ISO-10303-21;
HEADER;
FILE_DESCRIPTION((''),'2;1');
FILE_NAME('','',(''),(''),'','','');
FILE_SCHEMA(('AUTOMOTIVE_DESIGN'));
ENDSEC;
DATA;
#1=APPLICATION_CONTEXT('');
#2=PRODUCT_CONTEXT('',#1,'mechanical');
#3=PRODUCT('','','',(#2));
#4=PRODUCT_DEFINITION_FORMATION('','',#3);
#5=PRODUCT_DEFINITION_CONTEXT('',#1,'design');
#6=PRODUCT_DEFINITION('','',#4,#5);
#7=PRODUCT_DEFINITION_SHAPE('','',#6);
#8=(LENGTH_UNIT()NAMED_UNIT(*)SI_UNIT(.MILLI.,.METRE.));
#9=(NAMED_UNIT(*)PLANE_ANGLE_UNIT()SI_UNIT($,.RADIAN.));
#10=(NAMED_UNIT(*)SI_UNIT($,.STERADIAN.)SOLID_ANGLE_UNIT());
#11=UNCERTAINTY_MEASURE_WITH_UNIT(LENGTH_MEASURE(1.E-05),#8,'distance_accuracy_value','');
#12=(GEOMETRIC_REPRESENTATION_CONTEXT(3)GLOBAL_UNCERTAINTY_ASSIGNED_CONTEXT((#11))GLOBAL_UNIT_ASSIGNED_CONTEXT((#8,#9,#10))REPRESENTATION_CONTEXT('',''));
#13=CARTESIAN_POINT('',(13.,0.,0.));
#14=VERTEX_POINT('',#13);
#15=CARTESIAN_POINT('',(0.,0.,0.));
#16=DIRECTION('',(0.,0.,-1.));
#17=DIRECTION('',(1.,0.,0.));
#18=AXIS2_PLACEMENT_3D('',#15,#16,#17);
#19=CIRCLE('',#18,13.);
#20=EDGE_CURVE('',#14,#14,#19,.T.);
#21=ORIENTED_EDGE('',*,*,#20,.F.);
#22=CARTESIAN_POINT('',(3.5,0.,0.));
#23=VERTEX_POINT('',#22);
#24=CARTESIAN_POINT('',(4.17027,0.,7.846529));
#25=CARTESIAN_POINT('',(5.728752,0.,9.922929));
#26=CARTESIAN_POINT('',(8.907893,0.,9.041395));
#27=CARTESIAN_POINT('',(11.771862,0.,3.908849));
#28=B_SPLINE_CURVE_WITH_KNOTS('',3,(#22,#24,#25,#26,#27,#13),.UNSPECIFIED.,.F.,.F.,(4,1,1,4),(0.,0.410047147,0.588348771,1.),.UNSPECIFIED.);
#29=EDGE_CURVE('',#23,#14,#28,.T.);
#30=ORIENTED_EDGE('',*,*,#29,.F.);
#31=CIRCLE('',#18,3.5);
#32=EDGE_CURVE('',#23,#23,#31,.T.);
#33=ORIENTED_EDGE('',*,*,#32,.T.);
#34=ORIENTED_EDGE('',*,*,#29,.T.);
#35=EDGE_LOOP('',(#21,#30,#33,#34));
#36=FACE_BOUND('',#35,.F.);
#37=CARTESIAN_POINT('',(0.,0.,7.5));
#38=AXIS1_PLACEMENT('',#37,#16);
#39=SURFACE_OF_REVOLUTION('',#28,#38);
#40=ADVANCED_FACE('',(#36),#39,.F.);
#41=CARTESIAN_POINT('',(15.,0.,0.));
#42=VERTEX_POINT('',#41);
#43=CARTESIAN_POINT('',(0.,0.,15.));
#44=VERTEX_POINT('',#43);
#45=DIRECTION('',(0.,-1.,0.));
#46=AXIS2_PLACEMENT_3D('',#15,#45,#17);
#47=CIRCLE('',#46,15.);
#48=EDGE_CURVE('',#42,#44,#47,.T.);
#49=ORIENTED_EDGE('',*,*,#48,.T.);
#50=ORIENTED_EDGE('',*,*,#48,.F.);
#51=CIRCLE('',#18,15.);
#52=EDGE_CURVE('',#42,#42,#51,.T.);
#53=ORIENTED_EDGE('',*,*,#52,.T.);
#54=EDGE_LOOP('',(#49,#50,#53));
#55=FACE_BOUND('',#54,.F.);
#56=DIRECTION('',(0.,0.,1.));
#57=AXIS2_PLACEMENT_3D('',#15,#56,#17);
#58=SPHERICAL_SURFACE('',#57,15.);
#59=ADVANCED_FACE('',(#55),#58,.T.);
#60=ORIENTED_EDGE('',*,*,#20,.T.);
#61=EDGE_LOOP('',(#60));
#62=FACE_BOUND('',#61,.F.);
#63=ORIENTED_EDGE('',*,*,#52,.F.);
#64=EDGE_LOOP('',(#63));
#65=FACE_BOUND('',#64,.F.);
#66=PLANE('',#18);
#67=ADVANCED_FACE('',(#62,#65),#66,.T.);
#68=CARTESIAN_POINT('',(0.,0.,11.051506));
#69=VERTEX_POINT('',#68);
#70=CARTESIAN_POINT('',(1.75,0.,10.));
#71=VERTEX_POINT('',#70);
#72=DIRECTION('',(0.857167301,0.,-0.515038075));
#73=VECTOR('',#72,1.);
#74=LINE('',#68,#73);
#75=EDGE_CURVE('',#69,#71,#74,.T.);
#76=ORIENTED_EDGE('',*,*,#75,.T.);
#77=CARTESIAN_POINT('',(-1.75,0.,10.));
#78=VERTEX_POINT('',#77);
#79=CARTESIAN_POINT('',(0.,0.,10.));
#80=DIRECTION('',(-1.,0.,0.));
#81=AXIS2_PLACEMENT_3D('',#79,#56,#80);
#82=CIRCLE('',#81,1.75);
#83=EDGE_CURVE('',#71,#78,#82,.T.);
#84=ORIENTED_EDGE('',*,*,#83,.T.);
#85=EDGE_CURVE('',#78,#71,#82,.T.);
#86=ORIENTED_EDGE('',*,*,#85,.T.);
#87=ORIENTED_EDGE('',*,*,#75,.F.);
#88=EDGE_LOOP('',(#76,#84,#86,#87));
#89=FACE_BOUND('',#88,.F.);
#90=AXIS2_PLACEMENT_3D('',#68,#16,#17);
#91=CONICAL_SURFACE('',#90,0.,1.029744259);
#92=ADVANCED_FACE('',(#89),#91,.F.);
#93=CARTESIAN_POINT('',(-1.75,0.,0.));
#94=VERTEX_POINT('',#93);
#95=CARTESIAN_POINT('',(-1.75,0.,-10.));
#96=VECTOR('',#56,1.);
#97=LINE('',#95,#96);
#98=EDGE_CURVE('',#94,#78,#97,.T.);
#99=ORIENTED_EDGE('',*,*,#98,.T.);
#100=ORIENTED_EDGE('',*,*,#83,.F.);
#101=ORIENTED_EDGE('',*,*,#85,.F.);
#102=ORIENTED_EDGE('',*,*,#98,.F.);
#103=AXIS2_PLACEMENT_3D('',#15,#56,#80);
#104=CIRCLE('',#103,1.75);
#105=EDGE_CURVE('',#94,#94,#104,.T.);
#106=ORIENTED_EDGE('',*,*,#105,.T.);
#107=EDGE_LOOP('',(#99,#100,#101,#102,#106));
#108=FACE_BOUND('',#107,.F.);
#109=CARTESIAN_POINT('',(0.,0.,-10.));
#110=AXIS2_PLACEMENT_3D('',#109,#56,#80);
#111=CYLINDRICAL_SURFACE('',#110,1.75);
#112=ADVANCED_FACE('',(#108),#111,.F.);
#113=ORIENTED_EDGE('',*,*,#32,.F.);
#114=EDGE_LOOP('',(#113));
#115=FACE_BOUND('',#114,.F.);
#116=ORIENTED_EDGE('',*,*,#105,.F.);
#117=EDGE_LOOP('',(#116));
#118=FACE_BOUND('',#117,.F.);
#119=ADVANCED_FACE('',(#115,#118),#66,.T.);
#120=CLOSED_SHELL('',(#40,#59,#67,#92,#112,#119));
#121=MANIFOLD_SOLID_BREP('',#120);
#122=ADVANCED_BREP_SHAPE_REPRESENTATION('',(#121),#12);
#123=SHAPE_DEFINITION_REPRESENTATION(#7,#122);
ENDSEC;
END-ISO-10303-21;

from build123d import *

# Parameters (mm, degrees)
F3_D     = 3.5
F3_DEPTH = 10
F3_TIP   = 1.0515060833


with BuildPart() as f1:
    # F0 (on Front) → F1 (revolve)
    with BuildSketch(Plane.XZ):
        with BuildLine():
            Line((13, 0), (15, 0))
            ThreePointArc((15, 0), (10.6066017178, 10.6066017178), (0, 15))
            Line((0, 15), (0, 0))
            Line((0, 0), (3.5, 0))
            add(Edge.make_bspline(
                [(3.5, 0), (4.1702696251, 7.8465285328), (5.7287519706, 9.922929278), (8.9078926089, 9.0413945543), (11.7718619337, 3.9088492463), (13, 0)],
                knots=[0, 0, 0, 0, 0.4100471471, 0.5883487707, 1, 1, 1, 1], degree=3))
        make_face()
    revolve(axis=Axis((0, 0, 7.5), (0, 0, -1)))

    # F3
    with Locations(Plane(origin=(0, 0, 0), x_dir=(1, 0, 0), z_dir=(0, 0, -1))):
        with Locations((0, 0)):
            Hole(F3_D / 2, depth=F3_DEPTH)
            with Locations((0, 0, -(F3_DEPTH + F3_TIP / 2))):  # 118° drill point
                Cone(0, F3_D / 2, F3_TIP, mode=Mode.SUBTRACT)


solid = f1.part
